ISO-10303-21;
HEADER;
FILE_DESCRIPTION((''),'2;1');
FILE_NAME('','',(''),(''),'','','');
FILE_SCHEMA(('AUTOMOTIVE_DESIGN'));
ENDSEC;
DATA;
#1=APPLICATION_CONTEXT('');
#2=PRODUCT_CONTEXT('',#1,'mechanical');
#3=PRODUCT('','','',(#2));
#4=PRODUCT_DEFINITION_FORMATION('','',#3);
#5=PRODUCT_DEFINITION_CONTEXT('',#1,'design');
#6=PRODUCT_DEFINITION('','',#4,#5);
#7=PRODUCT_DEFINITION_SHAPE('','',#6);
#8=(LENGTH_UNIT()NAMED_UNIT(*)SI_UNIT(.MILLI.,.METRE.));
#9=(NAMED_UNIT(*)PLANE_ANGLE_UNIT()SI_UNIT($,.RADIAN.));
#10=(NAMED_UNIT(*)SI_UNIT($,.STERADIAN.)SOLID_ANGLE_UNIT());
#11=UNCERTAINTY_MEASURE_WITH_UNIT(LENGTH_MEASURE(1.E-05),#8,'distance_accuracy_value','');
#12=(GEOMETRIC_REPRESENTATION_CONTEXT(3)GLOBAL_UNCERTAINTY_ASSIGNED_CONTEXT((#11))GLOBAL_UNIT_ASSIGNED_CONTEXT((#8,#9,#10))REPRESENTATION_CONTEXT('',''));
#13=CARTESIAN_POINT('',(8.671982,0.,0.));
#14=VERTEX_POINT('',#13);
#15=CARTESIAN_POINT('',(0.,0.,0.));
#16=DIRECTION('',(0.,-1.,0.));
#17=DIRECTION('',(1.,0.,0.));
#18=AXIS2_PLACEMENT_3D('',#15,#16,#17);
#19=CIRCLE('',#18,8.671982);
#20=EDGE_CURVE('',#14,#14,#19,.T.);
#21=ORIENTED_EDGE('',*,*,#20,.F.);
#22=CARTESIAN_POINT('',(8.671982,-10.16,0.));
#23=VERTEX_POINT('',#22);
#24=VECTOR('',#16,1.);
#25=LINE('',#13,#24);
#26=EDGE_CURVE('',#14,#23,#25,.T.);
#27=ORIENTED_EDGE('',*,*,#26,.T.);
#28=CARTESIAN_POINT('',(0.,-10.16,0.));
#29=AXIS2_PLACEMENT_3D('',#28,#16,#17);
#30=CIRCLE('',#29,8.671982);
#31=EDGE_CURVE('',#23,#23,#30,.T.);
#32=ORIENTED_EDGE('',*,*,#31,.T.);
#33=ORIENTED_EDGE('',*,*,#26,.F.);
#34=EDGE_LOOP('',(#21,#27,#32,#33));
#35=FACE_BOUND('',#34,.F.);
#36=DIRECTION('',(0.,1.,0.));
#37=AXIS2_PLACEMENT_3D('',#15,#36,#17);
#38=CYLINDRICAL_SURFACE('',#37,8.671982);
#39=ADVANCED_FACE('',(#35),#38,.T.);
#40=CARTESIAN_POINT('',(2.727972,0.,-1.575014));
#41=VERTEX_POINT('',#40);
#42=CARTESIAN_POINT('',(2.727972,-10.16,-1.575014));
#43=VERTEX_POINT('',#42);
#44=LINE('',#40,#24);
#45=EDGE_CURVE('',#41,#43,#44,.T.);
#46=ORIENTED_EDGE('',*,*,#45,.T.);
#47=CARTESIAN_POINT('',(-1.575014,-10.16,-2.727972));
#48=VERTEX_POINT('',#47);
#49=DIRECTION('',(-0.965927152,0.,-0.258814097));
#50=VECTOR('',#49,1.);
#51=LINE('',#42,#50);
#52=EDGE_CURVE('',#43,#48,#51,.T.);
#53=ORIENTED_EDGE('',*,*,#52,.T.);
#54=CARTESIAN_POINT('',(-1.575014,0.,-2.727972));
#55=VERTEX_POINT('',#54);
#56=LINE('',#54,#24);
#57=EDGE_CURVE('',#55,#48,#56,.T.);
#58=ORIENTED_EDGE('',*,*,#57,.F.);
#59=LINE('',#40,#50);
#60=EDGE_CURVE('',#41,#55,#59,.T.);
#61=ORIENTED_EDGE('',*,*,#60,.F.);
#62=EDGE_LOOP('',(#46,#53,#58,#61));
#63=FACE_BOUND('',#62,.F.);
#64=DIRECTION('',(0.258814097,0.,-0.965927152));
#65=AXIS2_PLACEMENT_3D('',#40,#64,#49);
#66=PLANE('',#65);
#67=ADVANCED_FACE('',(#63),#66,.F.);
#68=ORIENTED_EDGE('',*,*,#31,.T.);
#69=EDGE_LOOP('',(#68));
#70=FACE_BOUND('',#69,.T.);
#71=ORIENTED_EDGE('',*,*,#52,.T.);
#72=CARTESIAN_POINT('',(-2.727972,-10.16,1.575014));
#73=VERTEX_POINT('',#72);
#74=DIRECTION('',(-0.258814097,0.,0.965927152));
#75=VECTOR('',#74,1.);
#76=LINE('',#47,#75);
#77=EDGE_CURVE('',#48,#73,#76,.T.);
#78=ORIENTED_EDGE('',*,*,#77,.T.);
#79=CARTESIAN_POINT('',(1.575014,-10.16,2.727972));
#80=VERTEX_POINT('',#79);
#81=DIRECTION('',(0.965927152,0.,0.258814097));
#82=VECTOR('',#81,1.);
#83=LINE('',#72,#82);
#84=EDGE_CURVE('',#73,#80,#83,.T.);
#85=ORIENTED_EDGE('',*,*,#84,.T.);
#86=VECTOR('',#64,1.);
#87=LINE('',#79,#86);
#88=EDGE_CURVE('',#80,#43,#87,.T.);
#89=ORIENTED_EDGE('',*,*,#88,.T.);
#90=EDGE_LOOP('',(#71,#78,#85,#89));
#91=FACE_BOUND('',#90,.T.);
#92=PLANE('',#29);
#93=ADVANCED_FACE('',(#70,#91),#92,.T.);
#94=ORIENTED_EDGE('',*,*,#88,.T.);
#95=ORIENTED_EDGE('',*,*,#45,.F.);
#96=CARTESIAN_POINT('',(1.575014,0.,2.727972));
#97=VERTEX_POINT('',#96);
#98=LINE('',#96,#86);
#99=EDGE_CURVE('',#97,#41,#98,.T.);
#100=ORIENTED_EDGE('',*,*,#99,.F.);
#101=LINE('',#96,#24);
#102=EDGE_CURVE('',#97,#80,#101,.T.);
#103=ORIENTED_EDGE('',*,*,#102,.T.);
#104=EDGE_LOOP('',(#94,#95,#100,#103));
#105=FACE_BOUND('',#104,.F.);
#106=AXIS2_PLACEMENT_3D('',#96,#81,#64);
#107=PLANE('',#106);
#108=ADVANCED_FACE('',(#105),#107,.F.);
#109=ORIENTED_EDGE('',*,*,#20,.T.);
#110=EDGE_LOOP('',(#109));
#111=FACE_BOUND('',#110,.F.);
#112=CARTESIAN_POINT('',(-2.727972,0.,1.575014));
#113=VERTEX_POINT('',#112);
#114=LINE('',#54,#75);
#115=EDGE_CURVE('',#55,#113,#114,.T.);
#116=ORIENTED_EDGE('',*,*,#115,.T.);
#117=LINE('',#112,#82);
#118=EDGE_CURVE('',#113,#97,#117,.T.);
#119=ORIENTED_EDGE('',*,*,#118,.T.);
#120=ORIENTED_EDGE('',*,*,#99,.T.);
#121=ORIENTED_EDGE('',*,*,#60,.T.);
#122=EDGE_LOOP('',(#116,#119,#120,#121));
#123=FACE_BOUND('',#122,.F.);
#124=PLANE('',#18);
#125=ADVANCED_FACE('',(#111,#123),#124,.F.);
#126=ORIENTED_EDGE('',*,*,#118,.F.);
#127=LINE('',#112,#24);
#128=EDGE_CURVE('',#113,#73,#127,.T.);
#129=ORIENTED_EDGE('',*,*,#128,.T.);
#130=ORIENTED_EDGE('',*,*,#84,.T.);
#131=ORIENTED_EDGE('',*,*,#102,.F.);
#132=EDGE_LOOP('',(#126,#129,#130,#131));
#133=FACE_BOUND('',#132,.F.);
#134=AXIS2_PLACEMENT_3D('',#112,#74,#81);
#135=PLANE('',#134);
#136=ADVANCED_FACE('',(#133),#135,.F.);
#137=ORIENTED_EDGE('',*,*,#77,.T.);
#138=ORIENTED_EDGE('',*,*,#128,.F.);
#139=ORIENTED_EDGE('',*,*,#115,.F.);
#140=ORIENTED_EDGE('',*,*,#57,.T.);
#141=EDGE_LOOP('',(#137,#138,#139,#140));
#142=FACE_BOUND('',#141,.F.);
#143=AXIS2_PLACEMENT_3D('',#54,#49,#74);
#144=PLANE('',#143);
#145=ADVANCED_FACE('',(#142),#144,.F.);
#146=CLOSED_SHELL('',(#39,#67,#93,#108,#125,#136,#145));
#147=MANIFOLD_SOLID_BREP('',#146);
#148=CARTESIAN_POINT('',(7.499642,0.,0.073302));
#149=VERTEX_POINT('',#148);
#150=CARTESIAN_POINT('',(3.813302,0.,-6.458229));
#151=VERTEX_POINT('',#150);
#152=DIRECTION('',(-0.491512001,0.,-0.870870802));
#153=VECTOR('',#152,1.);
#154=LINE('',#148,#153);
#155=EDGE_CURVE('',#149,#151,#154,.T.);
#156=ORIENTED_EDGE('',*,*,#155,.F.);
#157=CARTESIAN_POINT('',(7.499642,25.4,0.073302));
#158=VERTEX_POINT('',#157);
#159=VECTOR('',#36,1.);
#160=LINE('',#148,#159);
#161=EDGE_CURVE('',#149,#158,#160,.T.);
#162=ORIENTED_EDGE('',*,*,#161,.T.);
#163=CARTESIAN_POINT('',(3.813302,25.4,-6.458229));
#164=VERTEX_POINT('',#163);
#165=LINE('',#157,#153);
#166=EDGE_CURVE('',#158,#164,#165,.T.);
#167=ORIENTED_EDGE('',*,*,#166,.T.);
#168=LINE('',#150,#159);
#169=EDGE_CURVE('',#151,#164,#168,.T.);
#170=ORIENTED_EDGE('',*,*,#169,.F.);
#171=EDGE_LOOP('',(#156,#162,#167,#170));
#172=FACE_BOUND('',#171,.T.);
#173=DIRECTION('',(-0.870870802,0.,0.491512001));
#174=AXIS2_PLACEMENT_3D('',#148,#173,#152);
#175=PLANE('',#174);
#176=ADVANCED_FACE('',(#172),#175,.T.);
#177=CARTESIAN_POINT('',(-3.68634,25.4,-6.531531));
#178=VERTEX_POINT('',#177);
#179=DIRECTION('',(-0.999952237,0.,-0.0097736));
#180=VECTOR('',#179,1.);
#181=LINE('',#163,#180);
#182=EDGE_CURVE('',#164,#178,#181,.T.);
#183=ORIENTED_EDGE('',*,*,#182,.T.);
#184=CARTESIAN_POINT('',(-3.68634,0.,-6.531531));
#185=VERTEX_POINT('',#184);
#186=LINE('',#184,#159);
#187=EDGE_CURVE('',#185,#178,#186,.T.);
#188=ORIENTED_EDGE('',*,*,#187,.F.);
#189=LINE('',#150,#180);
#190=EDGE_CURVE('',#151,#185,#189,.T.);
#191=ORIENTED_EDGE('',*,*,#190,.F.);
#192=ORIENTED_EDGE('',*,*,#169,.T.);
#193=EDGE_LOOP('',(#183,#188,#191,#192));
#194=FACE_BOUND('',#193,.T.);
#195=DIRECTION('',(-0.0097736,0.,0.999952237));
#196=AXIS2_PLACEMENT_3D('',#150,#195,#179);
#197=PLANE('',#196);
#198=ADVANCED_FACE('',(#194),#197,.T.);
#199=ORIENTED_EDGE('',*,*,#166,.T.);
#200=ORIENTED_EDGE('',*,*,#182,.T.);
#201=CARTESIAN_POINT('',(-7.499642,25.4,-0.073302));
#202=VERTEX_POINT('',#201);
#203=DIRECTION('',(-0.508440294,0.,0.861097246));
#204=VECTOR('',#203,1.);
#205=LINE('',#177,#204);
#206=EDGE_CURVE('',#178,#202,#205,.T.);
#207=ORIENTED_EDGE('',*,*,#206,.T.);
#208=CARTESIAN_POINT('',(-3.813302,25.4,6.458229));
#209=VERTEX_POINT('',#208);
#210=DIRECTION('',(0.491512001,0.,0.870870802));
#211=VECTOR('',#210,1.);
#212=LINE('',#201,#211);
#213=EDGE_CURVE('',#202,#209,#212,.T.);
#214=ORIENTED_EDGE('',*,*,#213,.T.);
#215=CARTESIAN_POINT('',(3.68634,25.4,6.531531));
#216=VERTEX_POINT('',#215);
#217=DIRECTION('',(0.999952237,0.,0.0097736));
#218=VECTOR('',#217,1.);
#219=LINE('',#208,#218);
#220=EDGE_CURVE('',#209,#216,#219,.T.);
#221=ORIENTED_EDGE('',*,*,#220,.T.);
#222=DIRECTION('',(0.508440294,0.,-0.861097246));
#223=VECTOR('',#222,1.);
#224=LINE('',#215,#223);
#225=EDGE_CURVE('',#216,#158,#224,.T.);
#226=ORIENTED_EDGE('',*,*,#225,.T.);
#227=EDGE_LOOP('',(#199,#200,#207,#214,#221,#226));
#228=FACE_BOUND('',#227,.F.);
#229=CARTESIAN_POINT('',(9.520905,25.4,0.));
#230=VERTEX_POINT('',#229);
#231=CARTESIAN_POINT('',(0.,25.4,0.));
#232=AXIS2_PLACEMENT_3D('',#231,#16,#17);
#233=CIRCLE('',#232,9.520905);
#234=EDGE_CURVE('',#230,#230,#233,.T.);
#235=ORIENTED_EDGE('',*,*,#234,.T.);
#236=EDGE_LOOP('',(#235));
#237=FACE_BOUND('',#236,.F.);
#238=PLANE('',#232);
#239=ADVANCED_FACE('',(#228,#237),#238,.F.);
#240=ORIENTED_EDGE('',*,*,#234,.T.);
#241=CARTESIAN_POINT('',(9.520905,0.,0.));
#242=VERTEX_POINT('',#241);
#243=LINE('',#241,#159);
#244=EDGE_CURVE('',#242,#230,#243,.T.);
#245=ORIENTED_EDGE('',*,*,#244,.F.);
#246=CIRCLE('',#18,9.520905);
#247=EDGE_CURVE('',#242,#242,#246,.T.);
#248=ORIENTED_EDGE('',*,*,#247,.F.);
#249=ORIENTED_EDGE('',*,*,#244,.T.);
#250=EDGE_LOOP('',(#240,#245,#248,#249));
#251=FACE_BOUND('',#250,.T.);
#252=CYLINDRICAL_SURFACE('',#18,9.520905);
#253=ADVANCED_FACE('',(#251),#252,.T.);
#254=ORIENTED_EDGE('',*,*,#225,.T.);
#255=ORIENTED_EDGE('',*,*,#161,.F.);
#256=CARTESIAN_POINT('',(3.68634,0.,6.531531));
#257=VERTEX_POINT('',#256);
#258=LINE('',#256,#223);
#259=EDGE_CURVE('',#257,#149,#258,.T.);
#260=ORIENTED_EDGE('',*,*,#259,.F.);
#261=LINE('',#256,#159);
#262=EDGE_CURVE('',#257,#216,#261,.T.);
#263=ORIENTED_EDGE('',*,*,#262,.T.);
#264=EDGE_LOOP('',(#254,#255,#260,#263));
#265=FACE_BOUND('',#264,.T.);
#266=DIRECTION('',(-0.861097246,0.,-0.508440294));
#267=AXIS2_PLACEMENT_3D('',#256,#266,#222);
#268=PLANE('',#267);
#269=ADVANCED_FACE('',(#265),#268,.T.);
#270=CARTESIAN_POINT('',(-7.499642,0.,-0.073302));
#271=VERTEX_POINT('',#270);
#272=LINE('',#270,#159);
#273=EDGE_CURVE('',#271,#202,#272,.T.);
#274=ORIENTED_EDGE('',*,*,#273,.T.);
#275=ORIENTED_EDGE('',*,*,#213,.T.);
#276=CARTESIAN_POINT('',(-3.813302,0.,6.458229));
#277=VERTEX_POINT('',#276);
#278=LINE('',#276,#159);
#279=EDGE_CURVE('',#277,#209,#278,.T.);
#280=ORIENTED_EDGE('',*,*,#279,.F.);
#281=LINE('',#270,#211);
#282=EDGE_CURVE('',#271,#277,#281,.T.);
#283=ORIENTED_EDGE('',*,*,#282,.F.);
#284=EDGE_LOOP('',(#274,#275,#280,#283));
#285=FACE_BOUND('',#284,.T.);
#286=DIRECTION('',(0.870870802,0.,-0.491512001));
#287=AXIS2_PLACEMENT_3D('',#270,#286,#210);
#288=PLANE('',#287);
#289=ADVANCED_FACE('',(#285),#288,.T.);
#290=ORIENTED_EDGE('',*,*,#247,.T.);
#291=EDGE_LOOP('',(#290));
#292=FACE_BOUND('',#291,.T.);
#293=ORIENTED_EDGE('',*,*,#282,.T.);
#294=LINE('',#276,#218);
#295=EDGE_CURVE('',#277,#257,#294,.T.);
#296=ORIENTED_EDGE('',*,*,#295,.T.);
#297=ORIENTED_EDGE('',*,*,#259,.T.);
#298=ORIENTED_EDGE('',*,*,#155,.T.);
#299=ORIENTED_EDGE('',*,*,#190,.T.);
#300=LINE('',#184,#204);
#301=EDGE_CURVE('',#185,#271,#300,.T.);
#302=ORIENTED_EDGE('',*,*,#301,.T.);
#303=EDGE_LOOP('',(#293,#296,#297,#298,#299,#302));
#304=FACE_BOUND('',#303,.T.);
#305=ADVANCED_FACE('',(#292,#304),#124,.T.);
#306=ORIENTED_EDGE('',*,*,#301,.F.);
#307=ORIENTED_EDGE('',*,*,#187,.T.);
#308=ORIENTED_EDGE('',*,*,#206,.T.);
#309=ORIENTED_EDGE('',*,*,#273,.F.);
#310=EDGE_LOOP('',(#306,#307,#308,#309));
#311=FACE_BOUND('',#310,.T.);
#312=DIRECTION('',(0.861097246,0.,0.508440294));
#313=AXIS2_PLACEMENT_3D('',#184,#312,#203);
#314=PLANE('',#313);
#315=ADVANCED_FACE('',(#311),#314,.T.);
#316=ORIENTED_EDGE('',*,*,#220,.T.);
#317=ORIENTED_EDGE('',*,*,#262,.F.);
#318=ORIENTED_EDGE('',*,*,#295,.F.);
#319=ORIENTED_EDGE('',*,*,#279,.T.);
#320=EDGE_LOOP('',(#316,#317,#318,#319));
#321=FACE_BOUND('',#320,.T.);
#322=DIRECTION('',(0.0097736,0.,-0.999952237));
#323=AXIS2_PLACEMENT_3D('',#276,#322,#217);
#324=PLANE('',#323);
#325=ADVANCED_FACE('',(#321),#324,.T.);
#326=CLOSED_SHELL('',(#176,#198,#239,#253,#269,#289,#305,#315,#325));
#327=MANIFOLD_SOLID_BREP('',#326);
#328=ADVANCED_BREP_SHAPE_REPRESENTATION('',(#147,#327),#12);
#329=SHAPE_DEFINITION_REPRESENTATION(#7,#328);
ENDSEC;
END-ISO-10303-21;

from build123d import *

# Parameters (mm, degrees)
F0_R     = 8.671982
F1_DEPTH = 10.16
F2_R     = 9.520905
F3_DEPTH = 25.4


with BuildPart() as f1:
    # F0 (on Front) → F1 (new body)
    with BuildSketch(Plane.XZ):
        Circle(F0_R)
        Polygon((-2.727972, 1.575014), (1.575014, 2.727972), (2.727972, -1.575014), (-1.575014, -2.727972), align=None, mode=Mode.SUBTRACT)
    extrude(amount=F1_DEPTH)


with BuildPart() as f3:
    # F2 (on Front) → F3 (new body)
    with BuildSketch(Plane.XZ):
        Circle(F2_R)
        Polygon((-7.499642, -0.073302), (-3.813302, 6.458229), (3.68634, 6.531531), (7.499642, 0.073302), (3.813302, -6.458229), (-3.68634, -6.531531), align=None, mode=Mode.SUBTRACT)
    extrude(amount=-F3_DEPTH)


solid = Compound([f1.part, f3.part])
